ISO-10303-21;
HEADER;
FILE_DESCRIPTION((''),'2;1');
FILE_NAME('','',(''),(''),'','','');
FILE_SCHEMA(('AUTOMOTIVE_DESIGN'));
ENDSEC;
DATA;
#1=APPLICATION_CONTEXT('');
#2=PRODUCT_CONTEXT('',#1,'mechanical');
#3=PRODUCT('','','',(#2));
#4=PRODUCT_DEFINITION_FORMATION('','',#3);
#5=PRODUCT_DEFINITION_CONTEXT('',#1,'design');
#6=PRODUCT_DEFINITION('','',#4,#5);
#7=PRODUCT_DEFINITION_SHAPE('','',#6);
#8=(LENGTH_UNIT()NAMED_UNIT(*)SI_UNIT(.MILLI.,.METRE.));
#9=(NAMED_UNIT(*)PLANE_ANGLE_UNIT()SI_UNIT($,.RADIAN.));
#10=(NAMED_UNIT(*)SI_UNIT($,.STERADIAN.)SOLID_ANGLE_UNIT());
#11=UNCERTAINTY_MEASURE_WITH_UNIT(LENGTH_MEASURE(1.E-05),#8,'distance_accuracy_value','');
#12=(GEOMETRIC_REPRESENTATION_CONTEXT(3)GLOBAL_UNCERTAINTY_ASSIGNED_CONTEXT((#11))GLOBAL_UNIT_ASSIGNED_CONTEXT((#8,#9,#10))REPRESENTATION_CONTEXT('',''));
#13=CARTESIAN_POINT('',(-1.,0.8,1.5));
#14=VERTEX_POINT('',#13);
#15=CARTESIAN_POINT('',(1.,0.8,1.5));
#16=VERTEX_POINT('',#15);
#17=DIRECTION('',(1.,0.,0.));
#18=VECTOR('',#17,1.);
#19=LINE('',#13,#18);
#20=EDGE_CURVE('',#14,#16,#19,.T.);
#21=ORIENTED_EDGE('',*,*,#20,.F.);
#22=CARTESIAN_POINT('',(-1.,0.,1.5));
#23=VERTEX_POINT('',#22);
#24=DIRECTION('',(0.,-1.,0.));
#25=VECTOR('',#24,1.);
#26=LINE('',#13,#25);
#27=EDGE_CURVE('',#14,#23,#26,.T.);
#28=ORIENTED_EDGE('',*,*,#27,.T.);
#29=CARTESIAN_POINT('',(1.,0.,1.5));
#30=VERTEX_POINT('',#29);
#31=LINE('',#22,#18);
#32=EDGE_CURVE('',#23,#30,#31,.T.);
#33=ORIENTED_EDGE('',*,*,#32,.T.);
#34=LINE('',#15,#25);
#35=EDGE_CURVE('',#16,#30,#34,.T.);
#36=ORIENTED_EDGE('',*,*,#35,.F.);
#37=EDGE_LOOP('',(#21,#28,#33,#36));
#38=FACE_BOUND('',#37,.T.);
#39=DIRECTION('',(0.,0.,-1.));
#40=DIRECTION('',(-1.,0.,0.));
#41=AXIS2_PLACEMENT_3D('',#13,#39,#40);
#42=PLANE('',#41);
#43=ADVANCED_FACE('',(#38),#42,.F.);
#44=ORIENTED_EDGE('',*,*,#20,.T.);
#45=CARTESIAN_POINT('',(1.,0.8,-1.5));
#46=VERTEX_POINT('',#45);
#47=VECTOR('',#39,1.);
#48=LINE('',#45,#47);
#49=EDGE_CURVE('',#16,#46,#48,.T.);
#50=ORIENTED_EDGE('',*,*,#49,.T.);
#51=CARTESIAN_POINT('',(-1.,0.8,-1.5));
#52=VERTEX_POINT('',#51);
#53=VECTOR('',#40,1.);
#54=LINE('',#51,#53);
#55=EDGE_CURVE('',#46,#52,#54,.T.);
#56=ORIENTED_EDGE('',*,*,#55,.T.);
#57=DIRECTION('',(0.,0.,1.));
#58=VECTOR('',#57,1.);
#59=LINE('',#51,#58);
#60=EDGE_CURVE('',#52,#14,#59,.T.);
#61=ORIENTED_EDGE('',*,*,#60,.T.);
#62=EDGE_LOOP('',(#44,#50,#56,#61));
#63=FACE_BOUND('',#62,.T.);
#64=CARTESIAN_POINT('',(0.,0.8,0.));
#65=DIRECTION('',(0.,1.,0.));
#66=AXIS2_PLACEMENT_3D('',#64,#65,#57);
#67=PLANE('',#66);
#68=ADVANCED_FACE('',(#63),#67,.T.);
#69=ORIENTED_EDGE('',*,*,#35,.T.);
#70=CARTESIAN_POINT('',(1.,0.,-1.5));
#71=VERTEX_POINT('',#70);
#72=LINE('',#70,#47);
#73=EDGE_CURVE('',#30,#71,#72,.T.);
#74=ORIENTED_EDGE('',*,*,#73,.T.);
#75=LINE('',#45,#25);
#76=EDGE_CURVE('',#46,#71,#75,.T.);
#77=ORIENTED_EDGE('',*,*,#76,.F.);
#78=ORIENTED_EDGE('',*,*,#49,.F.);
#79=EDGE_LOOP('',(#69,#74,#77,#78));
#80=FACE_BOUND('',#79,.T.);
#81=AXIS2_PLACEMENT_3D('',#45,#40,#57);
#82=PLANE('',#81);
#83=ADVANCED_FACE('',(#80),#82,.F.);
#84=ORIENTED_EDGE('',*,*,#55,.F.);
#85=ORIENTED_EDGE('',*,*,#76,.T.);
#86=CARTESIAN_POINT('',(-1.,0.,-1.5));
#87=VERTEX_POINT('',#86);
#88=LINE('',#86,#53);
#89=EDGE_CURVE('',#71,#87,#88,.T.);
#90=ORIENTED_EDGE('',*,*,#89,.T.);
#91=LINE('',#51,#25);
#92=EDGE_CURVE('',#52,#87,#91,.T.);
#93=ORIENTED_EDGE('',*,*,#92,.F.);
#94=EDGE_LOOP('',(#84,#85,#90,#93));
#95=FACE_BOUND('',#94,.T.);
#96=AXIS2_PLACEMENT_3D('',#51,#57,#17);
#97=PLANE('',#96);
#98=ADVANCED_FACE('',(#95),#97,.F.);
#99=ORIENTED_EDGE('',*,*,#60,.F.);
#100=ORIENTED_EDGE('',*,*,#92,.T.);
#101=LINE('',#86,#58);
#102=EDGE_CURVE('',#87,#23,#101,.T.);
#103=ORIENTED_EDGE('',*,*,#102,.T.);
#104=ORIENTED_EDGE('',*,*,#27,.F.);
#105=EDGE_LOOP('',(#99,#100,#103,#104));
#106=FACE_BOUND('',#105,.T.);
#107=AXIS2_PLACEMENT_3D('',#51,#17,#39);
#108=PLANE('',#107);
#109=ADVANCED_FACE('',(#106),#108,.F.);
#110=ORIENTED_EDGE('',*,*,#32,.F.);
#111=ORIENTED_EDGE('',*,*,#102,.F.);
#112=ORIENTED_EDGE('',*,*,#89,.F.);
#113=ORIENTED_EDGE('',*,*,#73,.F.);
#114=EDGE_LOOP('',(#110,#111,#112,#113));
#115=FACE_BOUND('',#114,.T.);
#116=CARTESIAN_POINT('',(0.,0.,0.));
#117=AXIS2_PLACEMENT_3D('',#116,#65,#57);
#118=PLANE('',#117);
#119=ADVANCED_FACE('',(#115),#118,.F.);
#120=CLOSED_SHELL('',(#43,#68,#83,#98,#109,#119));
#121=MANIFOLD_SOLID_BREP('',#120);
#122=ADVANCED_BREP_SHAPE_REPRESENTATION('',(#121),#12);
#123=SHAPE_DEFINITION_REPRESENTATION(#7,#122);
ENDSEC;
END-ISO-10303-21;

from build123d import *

# Parameters (mm, degrees)
BASES_W    = 2
BASES_H    = 3
BASE_DEPTH = 0.8


with BuildPart() as part:
    # BaseS → Base (new body)
    with BuildSketch(Plane(origin=(0, 0, 0), x_dir=(1, 0, 0), z_dir=(0, 1, 0))):
        Rectangle(BASES_W, BASES_H)
    extrude(amount=BASE_DEPTH)


solid = part.part
